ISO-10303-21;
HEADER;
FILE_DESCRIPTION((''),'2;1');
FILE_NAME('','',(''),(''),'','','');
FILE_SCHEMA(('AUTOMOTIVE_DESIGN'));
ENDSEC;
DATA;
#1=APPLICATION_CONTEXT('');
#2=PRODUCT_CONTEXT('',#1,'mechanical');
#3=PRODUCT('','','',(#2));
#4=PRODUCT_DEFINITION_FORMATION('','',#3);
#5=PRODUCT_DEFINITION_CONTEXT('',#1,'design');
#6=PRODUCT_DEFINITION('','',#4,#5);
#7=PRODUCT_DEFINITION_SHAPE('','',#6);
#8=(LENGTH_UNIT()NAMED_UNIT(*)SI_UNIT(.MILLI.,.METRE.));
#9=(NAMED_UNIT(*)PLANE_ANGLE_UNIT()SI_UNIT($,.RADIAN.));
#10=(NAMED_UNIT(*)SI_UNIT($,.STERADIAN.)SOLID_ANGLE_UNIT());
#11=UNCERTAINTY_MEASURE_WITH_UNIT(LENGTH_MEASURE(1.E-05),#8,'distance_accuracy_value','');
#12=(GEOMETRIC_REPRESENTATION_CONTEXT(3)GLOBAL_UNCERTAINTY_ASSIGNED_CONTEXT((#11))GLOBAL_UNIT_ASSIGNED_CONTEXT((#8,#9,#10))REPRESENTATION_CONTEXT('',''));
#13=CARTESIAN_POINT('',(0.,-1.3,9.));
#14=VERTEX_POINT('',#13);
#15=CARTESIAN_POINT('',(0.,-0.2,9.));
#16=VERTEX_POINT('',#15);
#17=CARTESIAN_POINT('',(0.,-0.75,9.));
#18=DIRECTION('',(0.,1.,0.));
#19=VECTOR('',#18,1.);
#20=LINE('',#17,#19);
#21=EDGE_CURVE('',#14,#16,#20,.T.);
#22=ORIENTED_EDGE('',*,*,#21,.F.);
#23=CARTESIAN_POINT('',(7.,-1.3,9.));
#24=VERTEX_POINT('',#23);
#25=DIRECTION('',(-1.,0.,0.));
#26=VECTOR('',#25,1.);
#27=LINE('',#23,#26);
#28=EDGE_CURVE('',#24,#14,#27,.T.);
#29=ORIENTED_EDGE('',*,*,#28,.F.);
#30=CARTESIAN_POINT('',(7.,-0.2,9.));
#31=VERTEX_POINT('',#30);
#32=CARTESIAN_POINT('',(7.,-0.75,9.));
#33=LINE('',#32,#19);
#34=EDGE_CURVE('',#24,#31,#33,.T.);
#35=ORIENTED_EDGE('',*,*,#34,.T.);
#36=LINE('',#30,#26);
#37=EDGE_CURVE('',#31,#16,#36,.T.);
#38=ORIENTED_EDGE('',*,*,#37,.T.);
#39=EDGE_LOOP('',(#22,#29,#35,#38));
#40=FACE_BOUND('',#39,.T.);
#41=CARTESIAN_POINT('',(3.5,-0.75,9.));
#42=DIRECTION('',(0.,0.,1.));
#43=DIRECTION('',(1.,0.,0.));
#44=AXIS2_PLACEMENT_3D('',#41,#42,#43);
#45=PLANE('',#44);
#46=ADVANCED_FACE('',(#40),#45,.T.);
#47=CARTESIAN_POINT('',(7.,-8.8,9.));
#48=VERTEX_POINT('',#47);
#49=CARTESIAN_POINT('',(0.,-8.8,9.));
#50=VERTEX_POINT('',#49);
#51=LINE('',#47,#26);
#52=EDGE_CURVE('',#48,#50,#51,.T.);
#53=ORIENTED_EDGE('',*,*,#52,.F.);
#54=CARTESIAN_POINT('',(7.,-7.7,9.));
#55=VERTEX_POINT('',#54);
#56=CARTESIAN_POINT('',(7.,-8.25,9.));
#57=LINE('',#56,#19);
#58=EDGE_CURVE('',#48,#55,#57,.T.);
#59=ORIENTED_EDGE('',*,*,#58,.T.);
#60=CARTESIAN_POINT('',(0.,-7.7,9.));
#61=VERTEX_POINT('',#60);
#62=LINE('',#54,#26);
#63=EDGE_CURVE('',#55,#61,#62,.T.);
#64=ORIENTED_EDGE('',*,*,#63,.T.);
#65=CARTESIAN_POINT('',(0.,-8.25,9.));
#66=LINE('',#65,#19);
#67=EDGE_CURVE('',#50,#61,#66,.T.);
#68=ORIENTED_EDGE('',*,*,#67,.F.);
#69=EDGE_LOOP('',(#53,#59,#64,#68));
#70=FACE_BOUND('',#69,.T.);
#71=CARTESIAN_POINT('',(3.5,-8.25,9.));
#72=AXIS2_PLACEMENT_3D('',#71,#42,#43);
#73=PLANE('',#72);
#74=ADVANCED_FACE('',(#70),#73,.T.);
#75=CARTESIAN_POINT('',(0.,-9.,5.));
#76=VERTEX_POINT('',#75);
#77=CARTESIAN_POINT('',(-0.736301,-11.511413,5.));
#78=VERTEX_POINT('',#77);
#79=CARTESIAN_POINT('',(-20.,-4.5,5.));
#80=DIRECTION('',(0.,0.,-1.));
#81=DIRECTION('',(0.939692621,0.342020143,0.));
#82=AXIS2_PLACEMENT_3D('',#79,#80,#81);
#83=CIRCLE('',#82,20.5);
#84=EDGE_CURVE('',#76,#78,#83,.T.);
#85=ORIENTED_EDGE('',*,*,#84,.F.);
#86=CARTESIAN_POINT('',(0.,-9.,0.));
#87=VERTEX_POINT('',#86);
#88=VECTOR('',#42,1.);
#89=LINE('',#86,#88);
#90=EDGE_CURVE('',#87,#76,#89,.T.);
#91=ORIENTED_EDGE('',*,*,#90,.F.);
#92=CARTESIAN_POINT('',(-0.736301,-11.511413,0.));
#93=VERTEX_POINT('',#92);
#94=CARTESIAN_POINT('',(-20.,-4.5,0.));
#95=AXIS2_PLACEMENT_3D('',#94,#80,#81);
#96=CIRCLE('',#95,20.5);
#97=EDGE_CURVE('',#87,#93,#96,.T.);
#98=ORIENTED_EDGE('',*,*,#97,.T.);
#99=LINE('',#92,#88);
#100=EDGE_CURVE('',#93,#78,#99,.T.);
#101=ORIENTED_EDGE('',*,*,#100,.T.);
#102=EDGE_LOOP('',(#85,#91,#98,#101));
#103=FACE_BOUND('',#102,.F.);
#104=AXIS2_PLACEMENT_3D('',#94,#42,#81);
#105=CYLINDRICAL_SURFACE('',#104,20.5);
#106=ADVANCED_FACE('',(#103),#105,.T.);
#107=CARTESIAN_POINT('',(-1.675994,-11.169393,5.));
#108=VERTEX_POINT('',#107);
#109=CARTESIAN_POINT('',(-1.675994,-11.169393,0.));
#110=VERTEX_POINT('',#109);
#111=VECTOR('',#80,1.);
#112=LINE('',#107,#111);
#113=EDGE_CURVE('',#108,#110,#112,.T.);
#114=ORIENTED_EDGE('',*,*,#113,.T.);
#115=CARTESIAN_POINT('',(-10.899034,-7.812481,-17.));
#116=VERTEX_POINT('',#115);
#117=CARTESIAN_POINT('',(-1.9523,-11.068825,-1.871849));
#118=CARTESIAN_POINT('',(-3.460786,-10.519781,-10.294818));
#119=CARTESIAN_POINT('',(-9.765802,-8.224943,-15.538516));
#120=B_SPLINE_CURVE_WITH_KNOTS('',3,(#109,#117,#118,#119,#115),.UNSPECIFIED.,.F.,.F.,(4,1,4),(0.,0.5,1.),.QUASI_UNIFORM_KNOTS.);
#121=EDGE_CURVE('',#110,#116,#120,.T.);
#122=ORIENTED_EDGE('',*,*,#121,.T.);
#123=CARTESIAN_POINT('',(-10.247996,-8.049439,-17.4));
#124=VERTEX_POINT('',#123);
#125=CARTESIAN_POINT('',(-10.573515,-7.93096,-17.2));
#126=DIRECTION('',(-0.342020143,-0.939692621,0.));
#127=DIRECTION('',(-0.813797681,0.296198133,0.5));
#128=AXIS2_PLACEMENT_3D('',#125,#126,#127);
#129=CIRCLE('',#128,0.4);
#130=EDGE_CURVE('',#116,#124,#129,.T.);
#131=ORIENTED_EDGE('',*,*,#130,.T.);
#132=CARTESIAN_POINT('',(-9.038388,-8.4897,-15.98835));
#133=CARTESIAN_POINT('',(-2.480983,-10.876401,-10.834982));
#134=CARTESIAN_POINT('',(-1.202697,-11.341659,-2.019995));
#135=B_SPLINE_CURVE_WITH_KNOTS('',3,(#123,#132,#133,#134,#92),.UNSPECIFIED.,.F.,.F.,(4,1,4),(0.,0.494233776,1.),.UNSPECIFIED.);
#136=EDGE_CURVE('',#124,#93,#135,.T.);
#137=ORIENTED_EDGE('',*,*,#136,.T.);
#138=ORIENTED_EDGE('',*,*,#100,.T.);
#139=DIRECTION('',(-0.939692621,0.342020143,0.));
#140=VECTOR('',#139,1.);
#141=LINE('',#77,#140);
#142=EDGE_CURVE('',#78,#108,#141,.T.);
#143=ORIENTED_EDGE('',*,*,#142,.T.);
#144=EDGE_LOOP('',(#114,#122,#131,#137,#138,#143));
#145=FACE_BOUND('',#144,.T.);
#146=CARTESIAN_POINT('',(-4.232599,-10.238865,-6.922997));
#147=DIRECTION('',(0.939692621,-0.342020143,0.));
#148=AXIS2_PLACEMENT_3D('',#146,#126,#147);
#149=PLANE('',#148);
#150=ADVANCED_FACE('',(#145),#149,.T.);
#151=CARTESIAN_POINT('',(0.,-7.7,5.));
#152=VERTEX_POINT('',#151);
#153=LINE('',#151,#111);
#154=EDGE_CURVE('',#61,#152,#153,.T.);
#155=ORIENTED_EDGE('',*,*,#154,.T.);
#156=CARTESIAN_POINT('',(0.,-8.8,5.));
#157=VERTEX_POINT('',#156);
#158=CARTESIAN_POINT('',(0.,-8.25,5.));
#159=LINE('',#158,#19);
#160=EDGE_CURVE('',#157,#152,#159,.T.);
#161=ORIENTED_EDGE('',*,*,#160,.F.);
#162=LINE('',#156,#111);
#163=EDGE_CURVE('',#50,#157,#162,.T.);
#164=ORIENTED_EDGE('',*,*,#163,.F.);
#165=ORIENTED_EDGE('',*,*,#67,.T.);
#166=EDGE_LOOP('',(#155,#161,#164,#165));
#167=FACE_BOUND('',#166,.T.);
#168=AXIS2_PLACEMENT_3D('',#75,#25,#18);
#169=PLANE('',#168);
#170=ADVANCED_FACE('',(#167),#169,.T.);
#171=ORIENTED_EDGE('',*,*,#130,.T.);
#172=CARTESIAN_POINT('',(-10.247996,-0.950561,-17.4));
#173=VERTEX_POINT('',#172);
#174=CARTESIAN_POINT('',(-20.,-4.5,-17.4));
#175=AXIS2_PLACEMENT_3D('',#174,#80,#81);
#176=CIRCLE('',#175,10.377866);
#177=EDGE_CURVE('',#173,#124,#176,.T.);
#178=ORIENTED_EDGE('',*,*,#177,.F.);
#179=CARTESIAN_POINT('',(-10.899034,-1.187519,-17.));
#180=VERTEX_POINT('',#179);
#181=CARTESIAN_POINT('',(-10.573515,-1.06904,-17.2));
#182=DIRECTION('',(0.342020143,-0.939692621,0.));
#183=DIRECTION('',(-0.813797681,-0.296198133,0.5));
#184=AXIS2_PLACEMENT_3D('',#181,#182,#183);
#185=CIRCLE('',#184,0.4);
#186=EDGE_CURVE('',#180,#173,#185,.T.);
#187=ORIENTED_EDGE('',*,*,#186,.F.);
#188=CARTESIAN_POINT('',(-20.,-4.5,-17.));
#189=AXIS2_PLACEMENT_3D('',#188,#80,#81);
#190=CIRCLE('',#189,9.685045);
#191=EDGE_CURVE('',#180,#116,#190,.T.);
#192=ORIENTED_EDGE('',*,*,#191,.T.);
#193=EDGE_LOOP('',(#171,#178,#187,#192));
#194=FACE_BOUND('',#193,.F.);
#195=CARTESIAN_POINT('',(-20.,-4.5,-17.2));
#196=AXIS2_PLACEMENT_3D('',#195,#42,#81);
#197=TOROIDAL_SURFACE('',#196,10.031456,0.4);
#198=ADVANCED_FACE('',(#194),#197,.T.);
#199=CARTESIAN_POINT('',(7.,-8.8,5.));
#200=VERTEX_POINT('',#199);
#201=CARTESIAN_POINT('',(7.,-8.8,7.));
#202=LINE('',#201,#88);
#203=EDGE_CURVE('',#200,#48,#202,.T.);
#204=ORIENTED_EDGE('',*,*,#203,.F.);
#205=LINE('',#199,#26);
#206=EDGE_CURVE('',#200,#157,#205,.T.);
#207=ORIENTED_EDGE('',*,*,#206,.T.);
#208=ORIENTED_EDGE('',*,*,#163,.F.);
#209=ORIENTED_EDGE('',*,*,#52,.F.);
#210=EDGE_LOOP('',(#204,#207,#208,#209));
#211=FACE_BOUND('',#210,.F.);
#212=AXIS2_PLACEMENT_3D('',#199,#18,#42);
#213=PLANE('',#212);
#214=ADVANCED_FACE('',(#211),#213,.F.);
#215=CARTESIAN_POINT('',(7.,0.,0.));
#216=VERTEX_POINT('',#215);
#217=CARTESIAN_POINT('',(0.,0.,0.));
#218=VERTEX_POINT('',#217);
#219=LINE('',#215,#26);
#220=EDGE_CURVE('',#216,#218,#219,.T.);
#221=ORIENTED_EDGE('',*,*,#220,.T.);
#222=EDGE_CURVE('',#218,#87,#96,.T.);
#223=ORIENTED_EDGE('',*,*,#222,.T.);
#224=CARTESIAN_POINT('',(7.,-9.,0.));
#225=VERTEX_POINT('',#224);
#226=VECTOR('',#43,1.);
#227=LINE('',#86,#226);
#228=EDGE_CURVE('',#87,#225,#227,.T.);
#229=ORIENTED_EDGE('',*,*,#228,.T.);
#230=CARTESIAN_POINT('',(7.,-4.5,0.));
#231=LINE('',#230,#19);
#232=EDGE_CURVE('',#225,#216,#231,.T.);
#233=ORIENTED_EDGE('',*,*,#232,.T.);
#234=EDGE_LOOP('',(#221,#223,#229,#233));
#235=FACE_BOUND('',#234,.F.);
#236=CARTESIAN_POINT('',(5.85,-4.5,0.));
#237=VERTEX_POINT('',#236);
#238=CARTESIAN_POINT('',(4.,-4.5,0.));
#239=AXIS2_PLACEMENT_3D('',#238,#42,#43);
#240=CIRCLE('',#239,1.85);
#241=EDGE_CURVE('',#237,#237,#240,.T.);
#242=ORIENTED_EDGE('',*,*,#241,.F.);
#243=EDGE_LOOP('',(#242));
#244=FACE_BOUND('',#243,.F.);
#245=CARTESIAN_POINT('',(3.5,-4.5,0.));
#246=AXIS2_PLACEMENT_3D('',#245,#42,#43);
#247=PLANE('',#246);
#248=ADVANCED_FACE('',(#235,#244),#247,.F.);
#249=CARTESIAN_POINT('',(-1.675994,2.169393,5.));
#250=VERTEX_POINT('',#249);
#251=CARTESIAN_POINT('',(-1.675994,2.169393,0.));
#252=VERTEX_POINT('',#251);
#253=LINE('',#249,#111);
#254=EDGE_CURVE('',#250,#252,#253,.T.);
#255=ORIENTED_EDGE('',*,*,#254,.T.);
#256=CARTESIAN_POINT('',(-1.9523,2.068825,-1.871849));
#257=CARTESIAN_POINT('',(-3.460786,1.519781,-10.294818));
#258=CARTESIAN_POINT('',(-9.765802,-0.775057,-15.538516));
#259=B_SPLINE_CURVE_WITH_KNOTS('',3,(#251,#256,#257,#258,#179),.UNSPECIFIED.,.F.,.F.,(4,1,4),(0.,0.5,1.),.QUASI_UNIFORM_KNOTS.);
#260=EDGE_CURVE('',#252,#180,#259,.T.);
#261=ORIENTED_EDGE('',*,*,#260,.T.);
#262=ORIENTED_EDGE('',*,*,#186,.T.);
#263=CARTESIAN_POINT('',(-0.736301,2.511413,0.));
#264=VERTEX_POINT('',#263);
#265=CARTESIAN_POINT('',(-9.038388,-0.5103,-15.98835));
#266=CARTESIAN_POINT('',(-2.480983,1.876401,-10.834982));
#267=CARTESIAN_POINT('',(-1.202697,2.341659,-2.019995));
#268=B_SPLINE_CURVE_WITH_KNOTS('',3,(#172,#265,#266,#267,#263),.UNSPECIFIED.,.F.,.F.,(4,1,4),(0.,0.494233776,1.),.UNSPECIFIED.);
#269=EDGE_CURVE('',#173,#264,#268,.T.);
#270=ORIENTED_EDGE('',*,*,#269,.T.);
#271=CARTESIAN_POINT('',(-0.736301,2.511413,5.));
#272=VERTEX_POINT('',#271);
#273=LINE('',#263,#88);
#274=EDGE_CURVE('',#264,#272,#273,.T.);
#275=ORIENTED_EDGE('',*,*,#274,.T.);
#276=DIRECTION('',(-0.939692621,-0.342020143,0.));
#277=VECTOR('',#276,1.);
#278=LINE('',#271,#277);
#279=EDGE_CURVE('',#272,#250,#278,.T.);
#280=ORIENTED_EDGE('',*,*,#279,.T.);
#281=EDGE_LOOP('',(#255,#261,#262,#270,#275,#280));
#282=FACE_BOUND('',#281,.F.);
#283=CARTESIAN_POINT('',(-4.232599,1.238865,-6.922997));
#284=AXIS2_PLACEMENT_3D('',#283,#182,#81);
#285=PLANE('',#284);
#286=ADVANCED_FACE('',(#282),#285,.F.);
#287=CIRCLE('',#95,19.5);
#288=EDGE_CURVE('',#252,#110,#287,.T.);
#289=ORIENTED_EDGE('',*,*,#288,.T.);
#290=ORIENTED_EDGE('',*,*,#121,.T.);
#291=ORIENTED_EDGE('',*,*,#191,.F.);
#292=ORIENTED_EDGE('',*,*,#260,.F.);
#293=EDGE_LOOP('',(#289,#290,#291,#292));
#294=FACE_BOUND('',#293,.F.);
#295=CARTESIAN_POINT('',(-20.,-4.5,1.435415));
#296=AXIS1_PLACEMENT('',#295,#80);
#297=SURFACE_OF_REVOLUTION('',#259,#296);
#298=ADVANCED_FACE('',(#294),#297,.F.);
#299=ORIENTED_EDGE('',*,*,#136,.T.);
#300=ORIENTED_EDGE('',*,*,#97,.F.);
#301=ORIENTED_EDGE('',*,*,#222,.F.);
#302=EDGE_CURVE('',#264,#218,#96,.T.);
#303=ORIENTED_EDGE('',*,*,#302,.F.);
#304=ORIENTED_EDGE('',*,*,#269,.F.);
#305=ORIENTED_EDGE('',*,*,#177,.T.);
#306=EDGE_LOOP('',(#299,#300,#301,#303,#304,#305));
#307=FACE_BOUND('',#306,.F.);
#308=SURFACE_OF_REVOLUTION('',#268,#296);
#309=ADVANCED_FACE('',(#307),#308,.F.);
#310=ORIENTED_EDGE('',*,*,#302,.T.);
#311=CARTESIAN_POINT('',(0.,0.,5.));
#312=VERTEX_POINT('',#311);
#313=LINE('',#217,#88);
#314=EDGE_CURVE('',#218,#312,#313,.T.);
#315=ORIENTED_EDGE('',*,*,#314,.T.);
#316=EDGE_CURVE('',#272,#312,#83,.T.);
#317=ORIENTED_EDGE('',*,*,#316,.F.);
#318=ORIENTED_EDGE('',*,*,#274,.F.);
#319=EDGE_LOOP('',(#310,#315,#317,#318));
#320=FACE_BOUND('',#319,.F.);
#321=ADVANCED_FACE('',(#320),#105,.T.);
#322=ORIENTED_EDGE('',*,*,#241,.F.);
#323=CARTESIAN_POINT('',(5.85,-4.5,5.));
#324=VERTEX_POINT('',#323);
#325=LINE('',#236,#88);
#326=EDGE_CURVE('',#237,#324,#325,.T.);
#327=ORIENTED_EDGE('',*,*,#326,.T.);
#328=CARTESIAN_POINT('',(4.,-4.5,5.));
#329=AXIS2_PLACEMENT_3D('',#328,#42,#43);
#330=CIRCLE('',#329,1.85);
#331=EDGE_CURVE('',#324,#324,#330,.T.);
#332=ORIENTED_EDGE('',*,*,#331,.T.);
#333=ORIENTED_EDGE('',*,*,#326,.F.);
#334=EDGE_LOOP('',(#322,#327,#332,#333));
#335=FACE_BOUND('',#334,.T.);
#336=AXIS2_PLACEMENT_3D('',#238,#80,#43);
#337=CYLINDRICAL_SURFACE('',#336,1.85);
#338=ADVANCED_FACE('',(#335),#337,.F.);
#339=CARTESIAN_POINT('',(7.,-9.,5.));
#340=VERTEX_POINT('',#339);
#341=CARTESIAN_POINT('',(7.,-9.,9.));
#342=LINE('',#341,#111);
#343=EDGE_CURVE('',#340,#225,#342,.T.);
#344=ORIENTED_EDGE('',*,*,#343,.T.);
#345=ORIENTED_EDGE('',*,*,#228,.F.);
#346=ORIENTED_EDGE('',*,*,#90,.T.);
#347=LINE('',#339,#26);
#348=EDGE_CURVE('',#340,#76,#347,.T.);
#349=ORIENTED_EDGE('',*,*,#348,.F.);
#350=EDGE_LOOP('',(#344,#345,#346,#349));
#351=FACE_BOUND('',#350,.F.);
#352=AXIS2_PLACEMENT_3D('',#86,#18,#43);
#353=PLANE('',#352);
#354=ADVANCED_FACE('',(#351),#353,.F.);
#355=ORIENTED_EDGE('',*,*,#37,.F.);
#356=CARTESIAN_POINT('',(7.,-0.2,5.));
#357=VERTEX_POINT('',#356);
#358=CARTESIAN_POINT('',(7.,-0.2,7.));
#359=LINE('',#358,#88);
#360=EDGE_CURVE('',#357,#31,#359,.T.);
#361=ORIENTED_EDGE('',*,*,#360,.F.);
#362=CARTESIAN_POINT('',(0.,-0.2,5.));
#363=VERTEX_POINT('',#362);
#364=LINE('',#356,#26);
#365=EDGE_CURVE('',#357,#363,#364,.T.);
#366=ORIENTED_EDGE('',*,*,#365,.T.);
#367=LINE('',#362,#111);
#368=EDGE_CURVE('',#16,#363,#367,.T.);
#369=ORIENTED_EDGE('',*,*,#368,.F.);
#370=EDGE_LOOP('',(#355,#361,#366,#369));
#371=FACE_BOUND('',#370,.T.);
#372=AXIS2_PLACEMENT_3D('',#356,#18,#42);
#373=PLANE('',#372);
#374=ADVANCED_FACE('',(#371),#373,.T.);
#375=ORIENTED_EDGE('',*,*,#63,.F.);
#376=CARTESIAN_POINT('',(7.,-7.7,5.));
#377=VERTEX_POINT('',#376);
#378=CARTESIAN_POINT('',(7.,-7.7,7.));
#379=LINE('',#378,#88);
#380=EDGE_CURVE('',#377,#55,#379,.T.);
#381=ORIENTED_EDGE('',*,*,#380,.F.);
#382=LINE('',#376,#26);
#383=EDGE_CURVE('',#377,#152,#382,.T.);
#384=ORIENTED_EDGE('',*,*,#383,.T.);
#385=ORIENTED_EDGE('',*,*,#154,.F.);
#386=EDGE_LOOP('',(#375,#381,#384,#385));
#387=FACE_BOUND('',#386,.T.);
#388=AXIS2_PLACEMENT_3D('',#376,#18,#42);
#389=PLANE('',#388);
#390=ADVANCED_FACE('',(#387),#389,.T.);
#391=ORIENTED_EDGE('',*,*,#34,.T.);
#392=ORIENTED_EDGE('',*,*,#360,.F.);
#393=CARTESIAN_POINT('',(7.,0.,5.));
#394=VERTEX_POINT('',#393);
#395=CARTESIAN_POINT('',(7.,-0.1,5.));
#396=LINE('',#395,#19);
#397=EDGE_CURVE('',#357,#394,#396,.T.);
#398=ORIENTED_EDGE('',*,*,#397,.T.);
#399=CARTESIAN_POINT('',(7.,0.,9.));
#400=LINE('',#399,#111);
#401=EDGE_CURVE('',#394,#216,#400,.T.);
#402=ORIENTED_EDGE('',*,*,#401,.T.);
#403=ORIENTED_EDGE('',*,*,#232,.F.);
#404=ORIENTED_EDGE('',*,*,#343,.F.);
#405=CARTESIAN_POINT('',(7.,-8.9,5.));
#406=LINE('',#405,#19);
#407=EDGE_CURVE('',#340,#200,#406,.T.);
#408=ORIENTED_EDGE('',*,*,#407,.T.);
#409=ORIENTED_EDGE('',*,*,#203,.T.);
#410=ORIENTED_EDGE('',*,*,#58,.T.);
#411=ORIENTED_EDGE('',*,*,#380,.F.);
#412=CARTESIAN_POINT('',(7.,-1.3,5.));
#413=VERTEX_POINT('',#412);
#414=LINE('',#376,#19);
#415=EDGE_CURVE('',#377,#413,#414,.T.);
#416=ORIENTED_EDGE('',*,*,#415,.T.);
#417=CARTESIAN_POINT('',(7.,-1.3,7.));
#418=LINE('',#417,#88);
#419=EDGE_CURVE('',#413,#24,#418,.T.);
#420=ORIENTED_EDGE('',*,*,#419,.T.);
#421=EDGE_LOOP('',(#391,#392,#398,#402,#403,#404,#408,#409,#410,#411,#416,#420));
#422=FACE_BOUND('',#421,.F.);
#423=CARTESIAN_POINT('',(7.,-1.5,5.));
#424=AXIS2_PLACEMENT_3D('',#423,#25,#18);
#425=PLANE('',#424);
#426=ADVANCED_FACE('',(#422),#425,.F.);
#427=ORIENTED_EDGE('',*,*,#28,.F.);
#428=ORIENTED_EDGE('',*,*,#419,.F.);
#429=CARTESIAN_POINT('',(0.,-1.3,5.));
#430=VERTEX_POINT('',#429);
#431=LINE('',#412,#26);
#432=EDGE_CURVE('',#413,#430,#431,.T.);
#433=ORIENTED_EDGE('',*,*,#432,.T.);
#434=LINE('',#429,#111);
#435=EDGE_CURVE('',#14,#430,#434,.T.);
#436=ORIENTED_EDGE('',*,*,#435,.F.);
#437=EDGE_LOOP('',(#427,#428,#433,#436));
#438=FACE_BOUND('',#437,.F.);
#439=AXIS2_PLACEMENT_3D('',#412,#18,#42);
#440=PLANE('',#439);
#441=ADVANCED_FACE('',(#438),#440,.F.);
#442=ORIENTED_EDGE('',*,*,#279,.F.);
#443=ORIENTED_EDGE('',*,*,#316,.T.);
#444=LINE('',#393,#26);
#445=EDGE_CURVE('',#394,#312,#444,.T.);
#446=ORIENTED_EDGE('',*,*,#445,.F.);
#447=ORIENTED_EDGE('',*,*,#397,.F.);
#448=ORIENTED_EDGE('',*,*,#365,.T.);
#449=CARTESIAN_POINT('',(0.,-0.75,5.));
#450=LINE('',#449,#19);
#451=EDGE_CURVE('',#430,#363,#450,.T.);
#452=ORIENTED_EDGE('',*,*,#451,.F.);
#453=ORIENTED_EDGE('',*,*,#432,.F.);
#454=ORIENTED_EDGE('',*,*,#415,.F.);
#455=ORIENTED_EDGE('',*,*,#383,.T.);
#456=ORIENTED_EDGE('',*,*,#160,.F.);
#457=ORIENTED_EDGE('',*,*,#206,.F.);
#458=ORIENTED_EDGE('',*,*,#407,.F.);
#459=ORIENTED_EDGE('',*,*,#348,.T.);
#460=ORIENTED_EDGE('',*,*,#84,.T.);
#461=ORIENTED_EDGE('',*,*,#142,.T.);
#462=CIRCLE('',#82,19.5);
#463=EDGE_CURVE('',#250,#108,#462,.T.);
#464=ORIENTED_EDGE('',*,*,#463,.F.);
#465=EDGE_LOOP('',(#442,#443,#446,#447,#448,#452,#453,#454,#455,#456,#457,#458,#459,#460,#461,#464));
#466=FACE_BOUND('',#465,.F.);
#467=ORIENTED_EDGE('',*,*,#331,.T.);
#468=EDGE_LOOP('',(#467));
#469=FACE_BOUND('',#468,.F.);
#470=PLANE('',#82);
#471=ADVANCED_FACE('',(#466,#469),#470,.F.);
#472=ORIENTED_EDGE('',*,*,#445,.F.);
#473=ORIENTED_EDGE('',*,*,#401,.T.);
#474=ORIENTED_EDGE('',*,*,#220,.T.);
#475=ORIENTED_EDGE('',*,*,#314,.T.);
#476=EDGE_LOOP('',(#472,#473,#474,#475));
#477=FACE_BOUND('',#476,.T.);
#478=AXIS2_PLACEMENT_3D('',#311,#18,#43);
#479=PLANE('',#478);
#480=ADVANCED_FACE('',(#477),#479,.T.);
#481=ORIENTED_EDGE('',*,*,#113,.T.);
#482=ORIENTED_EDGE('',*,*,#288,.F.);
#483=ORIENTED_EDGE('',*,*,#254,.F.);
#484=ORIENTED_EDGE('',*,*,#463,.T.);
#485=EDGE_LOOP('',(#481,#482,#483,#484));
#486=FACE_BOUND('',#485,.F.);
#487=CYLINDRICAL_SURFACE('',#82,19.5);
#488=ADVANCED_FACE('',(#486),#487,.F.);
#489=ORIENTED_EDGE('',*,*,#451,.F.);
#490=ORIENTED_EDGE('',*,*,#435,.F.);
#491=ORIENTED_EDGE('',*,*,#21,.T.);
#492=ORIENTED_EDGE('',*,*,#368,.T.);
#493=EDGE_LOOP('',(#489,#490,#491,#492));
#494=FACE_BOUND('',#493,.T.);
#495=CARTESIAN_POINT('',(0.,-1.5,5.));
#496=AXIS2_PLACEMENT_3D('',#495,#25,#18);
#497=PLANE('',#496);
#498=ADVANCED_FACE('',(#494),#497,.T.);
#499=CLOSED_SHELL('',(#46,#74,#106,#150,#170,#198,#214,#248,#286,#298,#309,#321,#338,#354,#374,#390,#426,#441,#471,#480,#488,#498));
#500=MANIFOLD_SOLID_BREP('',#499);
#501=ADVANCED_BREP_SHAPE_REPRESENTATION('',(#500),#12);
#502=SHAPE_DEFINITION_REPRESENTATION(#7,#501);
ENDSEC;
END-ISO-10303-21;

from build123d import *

# Parameters (mm, degrees)
F0_W          = 7
F0_H          = 9
F0_R          = 1.85
F1_DEPTH      = 5
F5_ANGLE_BACK = 20
F5_ANGLE      = 40
F6_W          = 1.6
F6_H          = 1.8669135356
F6_H_2        = 10
F7_DEPTH      = 5
F8_W          = 7
F8_H          = 1.5
F9_DEPTH      = 4
F10_W         = 0.2
F10_H         = 4
F11_DEPTH     = 25


with BuildPart() as f1:
    # F0 (on Top) → F1 (new body)
    with BuildSketch(Plane.XY):
        with Locations((3.5, -4.5)):
            Rectangle(F0_W, F0_H)
        with Locations((4, -4.5)):
            Circle(F0_R, mode=Mode.SUBTRACT)
    extrude(amount=F1_DEPTH)

    # F3 (on offset) → F5 (revolve)
    with BuildSketch(Plane.XZ.offset(4.5), mode=Mode.PRIVATE) as f5_sk:
        with BuildLine():
            Line((0.5, 5), (0, 5))
            Line((0, 5), (-0.5, 5))
            Line((-0.5, 5), (-0.5, 0))
            add(Edge.make_bspline(
                [(-0.5, 0), (-0.7940392474, -1.8718490053), (-2.3993364256, -10.2948176613), (-9.1089938236, -15.538515672), (-10.3149545762, -17)],
                knots=[0, 0, 0, 0, 0.5, 1, 1, 1, 1], degree=3))
            ThreePointArc((-10.3149545762, -17), (-10.1685444147, -17.5464101615), (-9.6221342532, -17.4))
            add(Edge.make_bspline(
                [(-9.6221342532, -17.4), (-8.3348966668, -15.9883498775), (-1.3566520207, -10.8349816991), (0.0036717937, -2.0199950425), (0.5, 0)],
                knots=[0, 0, 0, 0, 0.4942337757, 1, 1, 1, 1], degree=3))
            Line((0.5, 0), (0.5, 5))
        make_face()
    revolve(f5_sk.sketch.rotate(Axis((-20, -4.5, 1.4354154991), (0, 0, -1)), -F5_ANGLE_BACK), axis=Axis((-20, -4.5, 1.4354154991), (0, 0, -1)), revolution_arc=F5_ANGLE)

    # F6 (on face) → F7 (cut)
    with BuildSketch(Plane.XY.offset(5)):
        with Locations((0.8, -9.9334567678)):
            Rectangle(F6_W, F6_H)
        with Locations((0.8, 5)):
            Rectangle(F6_W, F6_H_2)
    extrude(amount=-F7_DEPTH, mode=Mode.SUBTRACT)

    # F8 (on face) → F9 (join)
    with BuildSketch(Plane.XY.offset(5)):
        with Locations((3.5, -0.75)):
            Rectangle(F8_W, F8_H)
        with Locations((3.5, -8.25)):
            Rectangle(F8_W, F8_H)
    extrude(amount=F9_DEPTH)

    # F10 (on face) → F11 (cut)
    with BuildSketch(Plane.YZ.offset(7)):
        with Locations((-7.6, 7)):
            Rectangle(F10_W, F10_H)
        with Locations((-8.9, 7)):
            Rectangle(F10_W, F10_H)
        with Locations((-0.1, 7)):
            Rectangle(F10_W, F10_H)
        with Locations((-1.4, 7)):
            Rectangle(F10_W, F10_H)
    extrude(amount=-F11_DEPTH, mode=Mode.SUBTRACT)


solid = f1.part
